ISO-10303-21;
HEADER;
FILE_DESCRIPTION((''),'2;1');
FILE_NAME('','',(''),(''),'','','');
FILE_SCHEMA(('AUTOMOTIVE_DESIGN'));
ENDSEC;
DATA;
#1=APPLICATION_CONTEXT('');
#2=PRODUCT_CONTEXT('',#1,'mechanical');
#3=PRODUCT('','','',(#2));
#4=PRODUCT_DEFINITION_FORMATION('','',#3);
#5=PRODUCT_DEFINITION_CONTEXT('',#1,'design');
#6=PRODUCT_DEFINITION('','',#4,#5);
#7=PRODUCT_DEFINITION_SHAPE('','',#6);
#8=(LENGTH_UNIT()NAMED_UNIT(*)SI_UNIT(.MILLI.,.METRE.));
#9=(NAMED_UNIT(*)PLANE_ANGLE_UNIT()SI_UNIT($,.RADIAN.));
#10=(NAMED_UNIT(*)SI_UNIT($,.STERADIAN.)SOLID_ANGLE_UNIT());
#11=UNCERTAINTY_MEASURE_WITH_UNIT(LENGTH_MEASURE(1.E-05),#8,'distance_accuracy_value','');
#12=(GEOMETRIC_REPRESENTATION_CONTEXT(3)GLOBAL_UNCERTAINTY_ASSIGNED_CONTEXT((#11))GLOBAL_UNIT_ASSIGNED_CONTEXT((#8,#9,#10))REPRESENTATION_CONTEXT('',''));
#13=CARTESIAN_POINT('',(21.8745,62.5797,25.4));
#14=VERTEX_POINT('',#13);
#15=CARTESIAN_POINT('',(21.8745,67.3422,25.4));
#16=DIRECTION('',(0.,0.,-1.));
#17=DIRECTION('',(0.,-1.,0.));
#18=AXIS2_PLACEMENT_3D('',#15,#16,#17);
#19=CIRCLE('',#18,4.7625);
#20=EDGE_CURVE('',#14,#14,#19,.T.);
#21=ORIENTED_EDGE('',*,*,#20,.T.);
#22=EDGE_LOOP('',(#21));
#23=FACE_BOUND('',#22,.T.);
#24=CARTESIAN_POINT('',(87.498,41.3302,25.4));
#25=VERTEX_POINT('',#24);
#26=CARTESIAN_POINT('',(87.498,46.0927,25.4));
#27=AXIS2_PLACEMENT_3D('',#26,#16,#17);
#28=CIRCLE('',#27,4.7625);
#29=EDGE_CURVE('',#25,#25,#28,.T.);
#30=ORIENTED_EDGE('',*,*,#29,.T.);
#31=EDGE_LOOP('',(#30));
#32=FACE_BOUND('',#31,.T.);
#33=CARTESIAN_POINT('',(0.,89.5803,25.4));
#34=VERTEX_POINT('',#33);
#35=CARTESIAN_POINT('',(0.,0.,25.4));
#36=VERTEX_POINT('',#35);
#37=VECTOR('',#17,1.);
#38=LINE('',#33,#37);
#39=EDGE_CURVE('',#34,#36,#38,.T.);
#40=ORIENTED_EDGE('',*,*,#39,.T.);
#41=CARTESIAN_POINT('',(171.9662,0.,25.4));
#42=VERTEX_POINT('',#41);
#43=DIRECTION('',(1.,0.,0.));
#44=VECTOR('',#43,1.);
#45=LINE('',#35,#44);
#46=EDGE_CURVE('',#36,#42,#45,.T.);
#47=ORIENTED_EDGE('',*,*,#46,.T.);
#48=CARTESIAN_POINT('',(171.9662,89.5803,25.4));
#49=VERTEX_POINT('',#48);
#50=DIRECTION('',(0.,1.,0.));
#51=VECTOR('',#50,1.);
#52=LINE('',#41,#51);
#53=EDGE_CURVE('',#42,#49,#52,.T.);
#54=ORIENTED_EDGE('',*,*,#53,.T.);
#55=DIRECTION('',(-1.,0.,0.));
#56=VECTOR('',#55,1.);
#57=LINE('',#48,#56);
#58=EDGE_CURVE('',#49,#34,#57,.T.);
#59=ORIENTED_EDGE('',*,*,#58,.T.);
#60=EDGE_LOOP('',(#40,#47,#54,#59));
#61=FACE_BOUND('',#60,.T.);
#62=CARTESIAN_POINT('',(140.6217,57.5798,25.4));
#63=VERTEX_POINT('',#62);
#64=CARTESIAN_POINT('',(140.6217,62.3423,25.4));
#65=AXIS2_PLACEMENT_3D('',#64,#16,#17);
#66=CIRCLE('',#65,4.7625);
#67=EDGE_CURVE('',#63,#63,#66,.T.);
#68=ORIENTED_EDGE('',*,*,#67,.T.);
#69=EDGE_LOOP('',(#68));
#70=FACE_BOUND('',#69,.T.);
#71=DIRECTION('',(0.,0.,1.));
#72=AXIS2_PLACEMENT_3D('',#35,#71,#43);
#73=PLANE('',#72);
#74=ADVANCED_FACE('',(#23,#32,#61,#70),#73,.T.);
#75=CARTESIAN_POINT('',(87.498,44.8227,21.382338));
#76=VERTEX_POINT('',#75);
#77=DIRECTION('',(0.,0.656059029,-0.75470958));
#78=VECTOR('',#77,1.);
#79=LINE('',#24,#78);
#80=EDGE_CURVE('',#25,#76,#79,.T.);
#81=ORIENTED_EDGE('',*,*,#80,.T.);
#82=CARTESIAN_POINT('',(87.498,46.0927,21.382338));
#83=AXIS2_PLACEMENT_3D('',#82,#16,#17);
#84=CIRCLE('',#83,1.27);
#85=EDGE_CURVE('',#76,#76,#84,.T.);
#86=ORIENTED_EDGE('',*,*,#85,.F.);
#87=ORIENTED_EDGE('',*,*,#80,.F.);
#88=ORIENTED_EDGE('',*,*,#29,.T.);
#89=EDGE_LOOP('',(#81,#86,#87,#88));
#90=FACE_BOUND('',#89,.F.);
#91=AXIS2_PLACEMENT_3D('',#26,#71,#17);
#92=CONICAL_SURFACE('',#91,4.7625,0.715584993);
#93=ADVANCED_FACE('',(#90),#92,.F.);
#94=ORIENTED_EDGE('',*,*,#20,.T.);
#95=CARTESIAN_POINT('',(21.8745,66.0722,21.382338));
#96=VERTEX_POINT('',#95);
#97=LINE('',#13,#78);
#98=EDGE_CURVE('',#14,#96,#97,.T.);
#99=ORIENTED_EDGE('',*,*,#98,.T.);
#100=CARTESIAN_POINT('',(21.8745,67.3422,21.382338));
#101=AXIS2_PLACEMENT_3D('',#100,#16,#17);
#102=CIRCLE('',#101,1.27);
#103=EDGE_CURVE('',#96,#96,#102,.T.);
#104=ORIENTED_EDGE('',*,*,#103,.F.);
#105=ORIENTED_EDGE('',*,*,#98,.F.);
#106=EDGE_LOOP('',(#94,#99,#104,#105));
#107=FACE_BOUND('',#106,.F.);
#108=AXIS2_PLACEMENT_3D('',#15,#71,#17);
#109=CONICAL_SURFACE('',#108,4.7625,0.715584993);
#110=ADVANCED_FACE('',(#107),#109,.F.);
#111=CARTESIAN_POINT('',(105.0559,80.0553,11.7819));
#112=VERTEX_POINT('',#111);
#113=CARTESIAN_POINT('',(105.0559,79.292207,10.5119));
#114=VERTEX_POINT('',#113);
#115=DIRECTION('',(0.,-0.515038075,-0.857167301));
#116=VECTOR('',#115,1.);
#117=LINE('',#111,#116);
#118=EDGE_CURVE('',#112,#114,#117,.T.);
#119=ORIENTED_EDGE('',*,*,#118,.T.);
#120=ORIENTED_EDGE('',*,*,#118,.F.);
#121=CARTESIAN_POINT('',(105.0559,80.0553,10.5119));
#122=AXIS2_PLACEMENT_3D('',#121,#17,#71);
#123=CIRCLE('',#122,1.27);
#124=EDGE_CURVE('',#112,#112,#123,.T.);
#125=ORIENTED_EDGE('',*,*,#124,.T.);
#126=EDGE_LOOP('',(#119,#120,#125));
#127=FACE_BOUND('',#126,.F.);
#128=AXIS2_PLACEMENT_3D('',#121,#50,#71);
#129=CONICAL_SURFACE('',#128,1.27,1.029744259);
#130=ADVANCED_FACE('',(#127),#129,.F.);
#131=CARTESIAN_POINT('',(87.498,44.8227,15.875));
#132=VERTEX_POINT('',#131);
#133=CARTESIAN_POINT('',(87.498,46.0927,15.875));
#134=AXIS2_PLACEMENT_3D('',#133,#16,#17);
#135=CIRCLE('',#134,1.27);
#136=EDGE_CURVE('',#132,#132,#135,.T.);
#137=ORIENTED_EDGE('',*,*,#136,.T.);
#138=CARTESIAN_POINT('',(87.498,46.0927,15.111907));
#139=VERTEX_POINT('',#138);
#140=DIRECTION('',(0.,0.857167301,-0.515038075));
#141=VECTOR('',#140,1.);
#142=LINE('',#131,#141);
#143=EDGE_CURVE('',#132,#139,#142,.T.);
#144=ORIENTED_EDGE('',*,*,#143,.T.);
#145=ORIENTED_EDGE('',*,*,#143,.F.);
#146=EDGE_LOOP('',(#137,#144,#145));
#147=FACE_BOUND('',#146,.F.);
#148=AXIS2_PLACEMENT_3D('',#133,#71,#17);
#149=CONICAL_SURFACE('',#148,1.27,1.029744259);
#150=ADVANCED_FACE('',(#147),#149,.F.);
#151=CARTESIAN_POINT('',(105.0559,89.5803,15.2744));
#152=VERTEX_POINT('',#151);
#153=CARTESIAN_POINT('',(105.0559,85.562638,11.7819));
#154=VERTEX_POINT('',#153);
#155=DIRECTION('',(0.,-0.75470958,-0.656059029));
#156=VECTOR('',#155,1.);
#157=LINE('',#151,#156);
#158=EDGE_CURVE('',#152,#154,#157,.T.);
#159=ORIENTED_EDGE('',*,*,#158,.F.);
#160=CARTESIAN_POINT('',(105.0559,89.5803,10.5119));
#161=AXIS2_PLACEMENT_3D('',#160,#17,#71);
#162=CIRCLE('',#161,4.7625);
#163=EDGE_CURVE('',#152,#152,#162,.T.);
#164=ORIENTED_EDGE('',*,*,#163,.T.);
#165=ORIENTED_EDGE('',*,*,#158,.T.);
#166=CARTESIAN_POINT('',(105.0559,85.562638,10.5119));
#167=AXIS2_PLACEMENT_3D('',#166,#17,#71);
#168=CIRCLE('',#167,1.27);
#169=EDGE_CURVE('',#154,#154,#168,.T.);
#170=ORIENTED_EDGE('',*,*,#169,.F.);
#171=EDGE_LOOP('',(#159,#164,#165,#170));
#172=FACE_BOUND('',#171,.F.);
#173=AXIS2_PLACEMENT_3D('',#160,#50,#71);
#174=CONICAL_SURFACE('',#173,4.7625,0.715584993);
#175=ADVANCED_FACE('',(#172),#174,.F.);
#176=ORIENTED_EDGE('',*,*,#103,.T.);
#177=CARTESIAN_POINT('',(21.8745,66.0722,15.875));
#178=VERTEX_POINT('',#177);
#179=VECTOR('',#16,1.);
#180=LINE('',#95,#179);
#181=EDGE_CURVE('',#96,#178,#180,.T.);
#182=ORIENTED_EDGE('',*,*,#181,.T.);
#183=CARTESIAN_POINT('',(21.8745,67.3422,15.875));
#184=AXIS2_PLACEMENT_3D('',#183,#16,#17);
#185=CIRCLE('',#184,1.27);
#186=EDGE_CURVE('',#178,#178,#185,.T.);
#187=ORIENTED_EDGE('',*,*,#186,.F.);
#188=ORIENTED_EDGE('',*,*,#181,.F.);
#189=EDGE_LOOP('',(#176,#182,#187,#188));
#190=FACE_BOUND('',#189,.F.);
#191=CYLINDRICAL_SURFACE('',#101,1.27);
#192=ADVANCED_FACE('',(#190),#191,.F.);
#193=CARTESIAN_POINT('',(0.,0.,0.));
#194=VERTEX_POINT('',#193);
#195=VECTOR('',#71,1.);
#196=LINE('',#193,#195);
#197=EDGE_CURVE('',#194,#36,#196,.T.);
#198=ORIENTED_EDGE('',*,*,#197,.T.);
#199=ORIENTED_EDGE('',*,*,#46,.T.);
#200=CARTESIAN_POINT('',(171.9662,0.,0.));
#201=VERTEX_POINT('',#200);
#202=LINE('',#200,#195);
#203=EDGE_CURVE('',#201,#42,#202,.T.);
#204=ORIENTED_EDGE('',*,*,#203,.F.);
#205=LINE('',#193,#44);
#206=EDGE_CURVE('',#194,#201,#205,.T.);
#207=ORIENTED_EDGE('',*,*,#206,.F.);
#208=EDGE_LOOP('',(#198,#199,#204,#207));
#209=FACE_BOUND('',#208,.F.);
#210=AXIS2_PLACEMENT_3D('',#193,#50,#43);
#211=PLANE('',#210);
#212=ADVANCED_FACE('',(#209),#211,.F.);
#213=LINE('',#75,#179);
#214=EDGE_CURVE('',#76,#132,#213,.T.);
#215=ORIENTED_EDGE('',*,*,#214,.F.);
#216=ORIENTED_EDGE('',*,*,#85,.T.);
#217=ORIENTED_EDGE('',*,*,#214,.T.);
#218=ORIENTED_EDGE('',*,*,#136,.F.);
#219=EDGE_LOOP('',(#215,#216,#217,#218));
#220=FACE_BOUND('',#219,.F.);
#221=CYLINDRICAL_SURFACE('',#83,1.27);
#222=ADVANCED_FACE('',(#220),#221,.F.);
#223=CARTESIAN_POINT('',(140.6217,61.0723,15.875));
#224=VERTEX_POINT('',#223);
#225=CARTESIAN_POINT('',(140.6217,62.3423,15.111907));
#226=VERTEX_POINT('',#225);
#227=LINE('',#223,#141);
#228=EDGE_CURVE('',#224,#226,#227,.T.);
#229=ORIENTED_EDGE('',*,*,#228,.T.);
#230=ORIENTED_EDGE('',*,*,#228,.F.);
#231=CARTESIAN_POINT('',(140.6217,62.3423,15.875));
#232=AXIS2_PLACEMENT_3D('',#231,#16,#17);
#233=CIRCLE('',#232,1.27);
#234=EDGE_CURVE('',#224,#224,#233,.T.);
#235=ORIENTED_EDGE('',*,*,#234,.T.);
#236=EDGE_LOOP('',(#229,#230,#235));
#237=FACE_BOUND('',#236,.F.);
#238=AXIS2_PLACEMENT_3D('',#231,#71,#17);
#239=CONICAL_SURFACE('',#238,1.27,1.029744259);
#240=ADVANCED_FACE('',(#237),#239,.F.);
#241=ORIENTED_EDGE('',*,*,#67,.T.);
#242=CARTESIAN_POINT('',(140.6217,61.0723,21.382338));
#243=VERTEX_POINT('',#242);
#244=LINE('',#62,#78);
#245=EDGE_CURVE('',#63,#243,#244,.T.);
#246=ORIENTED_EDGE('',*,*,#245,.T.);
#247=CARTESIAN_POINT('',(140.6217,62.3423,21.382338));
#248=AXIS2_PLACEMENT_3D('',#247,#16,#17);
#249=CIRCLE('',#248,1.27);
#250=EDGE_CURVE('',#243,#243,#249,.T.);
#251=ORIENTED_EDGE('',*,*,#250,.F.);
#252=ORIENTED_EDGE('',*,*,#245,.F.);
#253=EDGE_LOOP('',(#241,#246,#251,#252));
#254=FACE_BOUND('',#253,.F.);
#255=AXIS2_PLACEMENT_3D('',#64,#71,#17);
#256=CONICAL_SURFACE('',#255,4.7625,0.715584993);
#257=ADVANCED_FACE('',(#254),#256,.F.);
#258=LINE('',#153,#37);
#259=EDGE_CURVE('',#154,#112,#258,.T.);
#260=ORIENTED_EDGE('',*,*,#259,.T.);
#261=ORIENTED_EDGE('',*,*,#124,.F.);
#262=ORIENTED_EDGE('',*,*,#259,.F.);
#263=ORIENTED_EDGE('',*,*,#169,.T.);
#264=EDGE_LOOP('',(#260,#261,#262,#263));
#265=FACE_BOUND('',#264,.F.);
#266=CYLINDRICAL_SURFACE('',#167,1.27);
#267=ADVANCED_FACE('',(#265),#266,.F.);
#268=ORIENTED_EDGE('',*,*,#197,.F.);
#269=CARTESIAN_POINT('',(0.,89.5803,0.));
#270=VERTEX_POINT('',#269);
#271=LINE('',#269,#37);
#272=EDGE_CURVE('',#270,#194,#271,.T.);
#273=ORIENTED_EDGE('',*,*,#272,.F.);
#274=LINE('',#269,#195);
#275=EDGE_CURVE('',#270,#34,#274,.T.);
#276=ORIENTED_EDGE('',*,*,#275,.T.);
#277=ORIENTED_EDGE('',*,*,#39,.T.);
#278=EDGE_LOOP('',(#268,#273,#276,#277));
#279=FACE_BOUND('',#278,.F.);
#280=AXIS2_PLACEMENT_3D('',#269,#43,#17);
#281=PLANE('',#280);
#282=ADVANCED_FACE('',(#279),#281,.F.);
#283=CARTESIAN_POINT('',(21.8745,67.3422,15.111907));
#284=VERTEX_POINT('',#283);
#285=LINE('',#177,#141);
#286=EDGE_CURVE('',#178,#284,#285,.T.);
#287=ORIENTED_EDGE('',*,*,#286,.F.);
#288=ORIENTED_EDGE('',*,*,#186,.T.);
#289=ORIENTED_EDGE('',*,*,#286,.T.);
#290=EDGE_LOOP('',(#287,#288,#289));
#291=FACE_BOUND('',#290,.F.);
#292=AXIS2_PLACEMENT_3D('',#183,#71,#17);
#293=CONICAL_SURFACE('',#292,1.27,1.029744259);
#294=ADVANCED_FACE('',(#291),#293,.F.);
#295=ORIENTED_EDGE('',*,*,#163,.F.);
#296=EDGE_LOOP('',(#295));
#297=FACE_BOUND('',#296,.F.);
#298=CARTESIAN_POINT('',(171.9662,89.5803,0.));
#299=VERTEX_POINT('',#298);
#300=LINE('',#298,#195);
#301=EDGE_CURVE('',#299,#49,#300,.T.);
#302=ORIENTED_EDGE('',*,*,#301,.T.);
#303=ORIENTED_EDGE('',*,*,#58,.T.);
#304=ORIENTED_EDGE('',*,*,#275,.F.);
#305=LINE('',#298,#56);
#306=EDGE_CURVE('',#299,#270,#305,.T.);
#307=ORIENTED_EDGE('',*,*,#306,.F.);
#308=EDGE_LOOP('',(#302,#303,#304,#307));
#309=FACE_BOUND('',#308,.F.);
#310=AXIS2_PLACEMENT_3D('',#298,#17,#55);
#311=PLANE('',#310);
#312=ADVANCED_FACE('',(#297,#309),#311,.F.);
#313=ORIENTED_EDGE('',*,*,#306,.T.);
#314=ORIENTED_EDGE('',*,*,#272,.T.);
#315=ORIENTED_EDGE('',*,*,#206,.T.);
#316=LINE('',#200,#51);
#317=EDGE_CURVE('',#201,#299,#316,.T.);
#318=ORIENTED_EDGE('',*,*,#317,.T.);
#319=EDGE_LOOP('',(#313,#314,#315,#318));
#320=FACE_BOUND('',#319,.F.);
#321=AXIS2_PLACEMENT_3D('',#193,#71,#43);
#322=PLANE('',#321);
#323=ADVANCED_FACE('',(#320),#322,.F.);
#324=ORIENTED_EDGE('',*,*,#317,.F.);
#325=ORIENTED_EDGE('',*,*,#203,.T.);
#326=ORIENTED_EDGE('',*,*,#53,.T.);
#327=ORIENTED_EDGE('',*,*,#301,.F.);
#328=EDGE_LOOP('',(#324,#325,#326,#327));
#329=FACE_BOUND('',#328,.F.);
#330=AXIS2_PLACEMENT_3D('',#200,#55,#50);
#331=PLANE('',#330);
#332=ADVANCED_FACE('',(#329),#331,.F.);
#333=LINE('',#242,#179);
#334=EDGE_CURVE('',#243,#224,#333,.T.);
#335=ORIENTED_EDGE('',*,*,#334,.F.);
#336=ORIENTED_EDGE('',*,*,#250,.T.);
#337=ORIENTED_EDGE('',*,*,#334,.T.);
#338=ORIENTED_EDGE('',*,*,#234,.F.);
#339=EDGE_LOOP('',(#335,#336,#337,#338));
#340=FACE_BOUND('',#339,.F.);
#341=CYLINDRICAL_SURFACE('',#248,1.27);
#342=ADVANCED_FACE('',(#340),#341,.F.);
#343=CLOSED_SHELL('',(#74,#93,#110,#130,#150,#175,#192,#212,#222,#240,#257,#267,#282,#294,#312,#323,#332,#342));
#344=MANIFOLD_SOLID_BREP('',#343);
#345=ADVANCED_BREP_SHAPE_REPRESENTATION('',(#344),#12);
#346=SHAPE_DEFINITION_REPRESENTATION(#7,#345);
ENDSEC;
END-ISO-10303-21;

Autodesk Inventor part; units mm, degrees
ref_plane "YZ Plane" through (0, 0, 0) normal (1, 0, 0) x (0, 1, 0)
ref_plane "XZ Plane" through (0, 0, 0) normal (0, 1, 0) x (-1, 0, 0)
ref_plane "XY Plane" through (0, 0, 0) normal (0, 0, 1) x (1, 0, 0)
sketch "Sketch1" plane through (0, 0, 0) normal (0, 0, 1) x (1, 0, 0)
  line L0 (0, 0) -> (171.9662, 0)
  line L1 (171.9662, 0) -> (171.9662, 89.5803)
  line L2 (171.9662, 89.5803) -> (0, 89.5803)
  line L3 (0, 89.5803) -> (0, 0)
extrude "Extrusion1" add sketch "Sketch1" along normal blind 25.4
hole "Hole1" at (105.0559, 89.5803, 10.5119) direction (0, -1, 0) diameter 2.54 depth 9.525 tip angle 118 countersink diameter 9.525 countersink angle 82
sketch "Sketch2" plane through (0, 0, 25.4) normal (0, 0, 1) x (1, 0, 0)
  point P0 (0, 0)
sketch "Sketch3" plane through (0, 0, 25.4) normal (0, 0, 1) x (1, 0, 0)
  point P0 (0, 0)
  point P1 (21.8745, 67.3422)
  point P2 (140.6217, 62.3423)
  point P3 (87.498, 46.0927)
hole "Hole2" at (87.498, 46.0927, 25.4) at (140.6217, 62.3423, 25.4) at (21.8745, 67.3422, 25.4) direction (0, 0, -1) diameter 2.54 depth 9.525 tip angle 118 countersink diameter 9.525 countersink angle 82
